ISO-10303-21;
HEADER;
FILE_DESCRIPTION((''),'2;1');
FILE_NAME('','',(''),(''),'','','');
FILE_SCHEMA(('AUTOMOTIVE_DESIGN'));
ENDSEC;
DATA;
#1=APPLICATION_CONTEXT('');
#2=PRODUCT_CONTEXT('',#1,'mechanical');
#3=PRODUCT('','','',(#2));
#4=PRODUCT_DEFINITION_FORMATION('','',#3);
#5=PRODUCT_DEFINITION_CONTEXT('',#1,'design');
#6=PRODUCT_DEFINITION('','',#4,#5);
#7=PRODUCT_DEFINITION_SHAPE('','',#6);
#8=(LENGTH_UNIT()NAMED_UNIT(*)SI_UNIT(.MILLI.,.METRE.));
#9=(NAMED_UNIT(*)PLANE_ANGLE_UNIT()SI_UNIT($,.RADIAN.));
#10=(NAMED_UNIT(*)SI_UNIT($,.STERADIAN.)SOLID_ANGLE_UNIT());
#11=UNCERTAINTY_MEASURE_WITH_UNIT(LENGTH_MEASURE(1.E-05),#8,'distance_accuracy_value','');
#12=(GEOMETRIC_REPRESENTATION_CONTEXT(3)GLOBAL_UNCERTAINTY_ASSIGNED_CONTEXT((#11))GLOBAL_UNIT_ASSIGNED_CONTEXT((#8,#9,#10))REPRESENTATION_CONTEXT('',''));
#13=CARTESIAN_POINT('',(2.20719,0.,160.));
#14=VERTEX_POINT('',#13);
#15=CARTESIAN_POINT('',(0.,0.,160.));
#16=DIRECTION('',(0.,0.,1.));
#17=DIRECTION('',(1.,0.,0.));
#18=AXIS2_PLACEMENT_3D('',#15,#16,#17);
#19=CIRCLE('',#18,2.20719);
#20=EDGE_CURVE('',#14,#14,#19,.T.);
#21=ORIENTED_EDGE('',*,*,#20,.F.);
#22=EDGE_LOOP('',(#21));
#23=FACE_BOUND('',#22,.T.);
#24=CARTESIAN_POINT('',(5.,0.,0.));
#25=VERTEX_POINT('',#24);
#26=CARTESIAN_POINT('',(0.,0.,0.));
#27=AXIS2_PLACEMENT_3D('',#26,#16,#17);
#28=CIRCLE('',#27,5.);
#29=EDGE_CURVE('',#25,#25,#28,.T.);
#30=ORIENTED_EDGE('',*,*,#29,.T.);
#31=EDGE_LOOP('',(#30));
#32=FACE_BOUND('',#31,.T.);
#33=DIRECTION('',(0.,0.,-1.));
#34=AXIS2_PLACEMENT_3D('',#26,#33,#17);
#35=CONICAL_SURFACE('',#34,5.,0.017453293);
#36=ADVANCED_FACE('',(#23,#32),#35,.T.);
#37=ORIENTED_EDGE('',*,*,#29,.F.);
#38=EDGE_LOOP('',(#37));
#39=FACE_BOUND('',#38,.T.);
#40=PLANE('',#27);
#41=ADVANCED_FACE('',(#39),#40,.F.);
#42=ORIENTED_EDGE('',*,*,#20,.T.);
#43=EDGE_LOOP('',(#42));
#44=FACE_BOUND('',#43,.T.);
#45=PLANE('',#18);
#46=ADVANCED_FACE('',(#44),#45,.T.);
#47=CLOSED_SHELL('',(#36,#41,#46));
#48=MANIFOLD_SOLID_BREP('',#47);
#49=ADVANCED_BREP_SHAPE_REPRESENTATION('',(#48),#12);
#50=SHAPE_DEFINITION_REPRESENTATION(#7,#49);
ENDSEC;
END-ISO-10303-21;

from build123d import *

# Parameters (mm, degrees)
ESBO_O1_R                = 5
RESSALTO_EXTRUS_O1_DEPTH = 160
RESSALTO_EXTRUS_O1_TAPER = 1


with BuildPart() as part:
    # Esboço1 → Ressalto-extrusão1 (new body)
    with BuildSketch(Plane.XY):
        Circle(ESBO_O1_R)
    extrude(amount=RESSALTO_EXTRUS_O1_DEPTH, taper=RESSALTO_EXTRUS_O1_TAPER)


solid = part.part
